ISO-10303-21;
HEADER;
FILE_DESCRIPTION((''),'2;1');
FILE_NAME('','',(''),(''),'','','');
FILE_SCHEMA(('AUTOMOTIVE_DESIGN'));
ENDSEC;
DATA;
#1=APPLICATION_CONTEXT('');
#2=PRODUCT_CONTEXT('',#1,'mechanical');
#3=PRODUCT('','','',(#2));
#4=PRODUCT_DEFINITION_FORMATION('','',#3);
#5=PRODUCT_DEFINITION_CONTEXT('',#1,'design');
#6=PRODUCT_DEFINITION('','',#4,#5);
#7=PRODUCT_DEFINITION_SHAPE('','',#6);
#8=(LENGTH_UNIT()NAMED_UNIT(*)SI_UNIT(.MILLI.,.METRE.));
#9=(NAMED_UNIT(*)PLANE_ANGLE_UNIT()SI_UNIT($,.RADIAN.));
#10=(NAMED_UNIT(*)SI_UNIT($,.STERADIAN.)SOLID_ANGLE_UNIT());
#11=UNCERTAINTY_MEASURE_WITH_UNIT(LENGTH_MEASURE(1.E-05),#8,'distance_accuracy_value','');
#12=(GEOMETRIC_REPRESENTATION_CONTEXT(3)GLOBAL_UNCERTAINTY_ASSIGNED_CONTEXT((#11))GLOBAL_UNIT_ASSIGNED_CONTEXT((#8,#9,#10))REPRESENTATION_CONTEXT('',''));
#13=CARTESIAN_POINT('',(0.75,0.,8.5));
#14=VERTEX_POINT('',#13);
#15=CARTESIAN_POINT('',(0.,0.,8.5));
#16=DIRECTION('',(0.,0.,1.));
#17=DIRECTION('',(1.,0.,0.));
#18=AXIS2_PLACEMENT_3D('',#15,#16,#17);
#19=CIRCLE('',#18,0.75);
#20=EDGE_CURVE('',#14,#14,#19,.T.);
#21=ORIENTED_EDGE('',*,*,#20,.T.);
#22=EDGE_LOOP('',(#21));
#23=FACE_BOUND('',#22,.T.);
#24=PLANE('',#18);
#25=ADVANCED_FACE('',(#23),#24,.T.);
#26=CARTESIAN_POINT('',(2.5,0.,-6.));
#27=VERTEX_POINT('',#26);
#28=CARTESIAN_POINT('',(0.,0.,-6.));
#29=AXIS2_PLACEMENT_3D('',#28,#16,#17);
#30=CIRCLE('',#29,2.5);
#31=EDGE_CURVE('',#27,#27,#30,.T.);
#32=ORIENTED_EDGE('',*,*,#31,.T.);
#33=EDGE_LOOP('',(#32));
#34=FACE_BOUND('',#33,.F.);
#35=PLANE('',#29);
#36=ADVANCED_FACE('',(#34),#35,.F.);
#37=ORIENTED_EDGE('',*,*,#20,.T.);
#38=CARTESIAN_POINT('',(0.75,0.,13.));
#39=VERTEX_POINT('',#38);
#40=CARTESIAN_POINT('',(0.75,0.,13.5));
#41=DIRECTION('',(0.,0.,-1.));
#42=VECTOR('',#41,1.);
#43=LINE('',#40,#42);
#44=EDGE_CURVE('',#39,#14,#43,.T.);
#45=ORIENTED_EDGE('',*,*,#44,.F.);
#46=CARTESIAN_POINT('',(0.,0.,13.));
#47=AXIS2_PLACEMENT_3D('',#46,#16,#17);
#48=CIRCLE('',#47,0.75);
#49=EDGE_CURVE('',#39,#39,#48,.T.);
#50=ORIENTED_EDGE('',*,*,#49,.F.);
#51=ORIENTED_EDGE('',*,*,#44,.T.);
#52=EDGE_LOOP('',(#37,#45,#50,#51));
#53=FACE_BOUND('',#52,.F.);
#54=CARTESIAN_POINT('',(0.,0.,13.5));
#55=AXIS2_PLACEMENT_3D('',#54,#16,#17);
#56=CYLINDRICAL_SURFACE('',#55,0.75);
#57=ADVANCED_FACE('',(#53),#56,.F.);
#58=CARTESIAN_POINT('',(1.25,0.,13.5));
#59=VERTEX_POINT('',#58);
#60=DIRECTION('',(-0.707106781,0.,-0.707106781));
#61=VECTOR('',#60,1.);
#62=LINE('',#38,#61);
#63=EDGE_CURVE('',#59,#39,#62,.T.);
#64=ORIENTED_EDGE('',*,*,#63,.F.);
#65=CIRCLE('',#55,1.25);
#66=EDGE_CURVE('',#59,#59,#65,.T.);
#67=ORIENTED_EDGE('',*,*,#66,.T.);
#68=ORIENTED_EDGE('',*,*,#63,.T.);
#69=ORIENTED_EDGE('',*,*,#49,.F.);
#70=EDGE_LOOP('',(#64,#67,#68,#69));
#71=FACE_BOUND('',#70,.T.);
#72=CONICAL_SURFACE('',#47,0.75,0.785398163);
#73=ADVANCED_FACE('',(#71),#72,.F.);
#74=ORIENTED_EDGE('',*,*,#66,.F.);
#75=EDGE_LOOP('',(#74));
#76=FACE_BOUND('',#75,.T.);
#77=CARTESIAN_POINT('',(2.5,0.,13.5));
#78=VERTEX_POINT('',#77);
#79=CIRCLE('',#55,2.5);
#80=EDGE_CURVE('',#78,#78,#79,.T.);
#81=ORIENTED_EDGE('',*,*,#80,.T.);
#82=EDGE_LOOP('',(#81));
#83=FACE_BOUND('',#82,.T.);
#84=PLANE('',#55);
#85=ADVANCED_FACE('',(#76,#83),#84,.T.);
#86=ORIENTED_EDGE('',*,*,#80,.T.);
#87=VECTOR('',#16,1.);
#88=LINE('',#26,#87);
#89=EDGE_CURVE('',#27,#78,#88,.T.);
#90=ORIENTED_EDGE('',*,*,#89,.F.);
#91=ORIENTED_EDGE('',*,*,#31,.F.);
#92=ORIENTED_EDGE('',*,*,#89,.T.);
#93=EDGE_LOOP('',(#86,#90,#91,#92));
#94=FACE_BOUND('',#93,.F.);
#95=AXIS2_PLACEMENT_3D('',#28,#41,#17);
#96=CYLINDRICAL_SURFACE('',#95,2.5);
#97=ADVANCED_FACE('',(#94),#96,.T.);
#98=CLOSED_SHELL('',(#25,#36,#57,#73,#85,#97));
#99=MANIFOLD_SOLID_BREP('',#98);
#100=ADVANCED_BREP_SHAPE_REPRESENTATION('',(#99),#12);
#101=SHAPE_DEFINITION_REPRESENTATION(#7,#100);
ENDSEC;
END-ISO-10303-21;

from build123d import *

# Parameters (mm, degrees)
SKETCH014_R     = 2.5
PAD003_DEPTH    = 19.5
SKETCH015_R     = 0.75
POCKET004_DEPTH = 5
CHAMFER_SIZE    = 0.5


with BuildPart() as part:
    # Sketch014 → Pad003 (new body)
    with BuildSketch(Plane.XY.offset(-6)):
        Circle(SKETCH014_R)
    extrude(amount=PAD003_DEPTH)

    # Sketch015 (on Face3 of Pad003) → Pocket004 (cut)
    with BuildSketch(Plane.XY.offset(13.5)):
        Circle(SKETCH015_R)
    extrude(amount=-POCKET004_DEPTH, mode=Mode.SUBTRACT)

    # Chamfer
    chamfer_edges = [part.edges().sort_by_distance(p)[0] for p in [
        (-0.75, 0, 13.5),
    ]]
    chamfer(chamfer_edges, length=CHAMFER_SIZE)


solid = part.part
